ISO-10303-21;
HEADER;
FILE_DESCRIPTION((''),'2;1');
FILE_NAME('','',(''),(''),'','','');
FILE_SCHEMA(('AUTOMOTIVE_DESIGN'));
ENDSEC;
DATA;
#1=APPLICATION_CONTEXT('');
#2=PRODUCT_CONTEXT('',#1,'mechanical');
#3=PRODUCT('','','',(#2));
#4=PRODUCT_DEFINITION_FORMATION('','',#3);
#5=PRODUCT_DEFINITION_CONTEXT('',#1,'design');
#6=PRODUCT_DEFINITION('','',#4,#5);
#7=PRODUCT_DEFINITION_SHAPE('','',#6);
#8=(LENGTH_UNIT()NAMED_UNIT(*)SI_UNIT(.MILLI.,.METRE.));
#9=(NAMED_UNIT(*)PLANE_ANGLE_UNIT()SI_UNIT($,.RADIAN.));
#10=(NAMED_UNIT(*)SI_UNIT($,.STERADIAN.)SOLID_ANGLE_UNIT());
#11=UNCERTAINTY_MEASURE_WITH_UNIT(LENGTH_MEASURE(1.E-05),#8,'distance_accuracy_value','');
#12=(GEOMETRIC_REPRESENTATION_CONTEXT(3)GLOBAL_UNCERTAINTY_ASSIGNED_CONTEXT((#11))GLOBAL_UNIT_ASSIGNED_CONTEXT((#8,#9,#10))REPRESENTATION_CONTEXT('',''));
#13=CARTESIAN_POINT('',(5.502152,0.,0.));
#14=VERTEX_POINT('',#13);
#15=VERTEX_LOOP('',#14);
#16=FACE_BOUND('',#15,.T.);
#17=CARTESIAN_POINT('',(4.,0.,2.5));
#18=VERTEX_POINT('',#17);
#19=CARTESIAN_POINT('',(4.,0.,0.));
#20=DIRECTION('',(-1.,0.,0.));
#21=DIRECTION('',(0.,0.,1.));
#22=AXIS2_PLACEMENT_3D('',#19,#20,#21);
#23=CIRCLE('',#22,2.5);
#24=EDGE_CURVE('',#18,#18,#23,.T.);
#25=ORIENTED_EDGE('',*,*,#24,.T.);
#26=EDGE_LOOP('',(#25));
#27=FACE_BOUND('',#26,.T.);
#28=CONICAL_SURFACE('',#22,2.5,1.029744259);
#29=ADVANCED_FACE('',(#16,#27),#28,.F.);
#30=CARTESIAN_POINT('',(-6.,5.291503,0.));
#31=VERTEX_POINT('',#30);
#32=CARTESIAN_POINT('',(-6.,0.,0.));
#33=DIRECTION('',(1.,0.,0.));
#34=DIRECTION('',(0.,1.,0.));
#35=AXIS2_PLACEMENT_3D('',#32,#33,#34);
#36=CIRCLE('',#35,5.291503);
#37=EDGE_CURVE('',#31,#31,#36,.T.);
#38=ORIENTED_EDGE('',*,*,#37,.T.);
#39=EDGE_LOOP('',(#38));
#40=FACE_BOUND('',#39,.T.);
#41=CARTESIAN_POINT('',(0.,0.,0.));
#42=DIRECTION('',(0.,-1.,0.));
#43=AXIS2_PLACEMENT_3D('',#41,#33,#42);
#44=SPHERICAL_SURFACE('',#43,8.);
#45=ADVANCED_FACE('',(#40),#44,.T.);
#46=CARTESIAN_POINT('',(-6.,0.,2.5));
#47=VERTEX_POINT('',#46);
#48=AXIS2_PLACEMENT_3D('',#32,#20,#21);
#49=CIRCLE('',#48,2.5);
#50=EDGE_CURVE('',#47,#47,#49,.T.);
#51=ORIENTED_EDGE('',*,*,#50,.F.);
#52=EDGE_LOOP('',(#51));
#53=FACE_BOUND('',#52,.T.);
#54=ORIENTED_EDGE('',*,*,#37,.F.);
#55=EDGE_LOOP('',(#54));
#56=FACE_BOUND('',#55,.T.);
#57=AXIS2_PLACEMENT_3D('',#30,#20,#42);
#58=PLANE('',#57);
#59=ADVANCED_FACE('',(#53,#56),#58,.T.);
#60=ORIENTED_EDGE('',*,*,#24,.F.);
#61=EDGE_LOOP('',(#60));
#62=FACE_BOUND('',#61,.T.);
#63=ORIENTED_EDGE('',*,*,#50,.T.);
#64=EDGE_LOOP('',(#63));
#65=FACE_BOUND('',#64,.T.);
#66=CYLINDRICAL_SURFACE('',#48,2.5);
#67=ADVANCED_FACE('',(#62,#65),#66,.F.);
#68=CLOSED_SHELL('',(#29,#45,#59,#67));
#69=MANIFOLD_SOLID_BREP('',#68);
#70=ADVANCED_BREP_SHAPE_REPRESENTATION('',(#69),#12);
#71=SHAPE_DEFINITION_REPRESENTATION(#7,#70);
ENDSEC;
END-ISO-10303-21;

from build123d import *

# Parameters (mm, degrees)
M6_TAPPED_HOLE1_D     = 5
M6_TAPPED_HOLE1_DEPTH = 10
M6_TAPPED_HOLE1_TIP   = 1.502151548


with BuildPart() as part:
    # Sketch1 → Revolve1 (revolve)
    with BuildSketch(Plane.XY, mode=Mode.PRIVATE) as revolve1_sk:
        with BuildLine():
            Line((8, 0), (-6, 0))
            Line((-6, 0), (-6, 5.291502622))
            ThreePointArc((-6, 5.291502622), (2.828427125, 7.483314774), (8, 0))
        make_face()
    revolve(revolve1_sk.sketch.rotate(Axis((8, 0, 0), (-1, 0, 0)), 180), axis=Axis((8, 0, 0), (-1, 0, 0)))

    # M6 Tapped Hole1
    with Locations(Plane.ZY.offset(6)):
        with Locations((0, 0)):
            Hole(M6_TAPPED_HOLE1_D / 2, depth=M6_TAPPED_HOLE1_DEPTH)
            with Locations((0, 0, -(M6_TAPPED_HOLE1_DEPTH + M6_TAPPED_HOLE1_TIP / 2))):  # 118° drill point
                Cone(0, M6_TAPPED_HOLE1_D / 2, M6_TAPPED_HOLE1_TIP, mode=Mode.SUBTRACT)


solid = part.part
